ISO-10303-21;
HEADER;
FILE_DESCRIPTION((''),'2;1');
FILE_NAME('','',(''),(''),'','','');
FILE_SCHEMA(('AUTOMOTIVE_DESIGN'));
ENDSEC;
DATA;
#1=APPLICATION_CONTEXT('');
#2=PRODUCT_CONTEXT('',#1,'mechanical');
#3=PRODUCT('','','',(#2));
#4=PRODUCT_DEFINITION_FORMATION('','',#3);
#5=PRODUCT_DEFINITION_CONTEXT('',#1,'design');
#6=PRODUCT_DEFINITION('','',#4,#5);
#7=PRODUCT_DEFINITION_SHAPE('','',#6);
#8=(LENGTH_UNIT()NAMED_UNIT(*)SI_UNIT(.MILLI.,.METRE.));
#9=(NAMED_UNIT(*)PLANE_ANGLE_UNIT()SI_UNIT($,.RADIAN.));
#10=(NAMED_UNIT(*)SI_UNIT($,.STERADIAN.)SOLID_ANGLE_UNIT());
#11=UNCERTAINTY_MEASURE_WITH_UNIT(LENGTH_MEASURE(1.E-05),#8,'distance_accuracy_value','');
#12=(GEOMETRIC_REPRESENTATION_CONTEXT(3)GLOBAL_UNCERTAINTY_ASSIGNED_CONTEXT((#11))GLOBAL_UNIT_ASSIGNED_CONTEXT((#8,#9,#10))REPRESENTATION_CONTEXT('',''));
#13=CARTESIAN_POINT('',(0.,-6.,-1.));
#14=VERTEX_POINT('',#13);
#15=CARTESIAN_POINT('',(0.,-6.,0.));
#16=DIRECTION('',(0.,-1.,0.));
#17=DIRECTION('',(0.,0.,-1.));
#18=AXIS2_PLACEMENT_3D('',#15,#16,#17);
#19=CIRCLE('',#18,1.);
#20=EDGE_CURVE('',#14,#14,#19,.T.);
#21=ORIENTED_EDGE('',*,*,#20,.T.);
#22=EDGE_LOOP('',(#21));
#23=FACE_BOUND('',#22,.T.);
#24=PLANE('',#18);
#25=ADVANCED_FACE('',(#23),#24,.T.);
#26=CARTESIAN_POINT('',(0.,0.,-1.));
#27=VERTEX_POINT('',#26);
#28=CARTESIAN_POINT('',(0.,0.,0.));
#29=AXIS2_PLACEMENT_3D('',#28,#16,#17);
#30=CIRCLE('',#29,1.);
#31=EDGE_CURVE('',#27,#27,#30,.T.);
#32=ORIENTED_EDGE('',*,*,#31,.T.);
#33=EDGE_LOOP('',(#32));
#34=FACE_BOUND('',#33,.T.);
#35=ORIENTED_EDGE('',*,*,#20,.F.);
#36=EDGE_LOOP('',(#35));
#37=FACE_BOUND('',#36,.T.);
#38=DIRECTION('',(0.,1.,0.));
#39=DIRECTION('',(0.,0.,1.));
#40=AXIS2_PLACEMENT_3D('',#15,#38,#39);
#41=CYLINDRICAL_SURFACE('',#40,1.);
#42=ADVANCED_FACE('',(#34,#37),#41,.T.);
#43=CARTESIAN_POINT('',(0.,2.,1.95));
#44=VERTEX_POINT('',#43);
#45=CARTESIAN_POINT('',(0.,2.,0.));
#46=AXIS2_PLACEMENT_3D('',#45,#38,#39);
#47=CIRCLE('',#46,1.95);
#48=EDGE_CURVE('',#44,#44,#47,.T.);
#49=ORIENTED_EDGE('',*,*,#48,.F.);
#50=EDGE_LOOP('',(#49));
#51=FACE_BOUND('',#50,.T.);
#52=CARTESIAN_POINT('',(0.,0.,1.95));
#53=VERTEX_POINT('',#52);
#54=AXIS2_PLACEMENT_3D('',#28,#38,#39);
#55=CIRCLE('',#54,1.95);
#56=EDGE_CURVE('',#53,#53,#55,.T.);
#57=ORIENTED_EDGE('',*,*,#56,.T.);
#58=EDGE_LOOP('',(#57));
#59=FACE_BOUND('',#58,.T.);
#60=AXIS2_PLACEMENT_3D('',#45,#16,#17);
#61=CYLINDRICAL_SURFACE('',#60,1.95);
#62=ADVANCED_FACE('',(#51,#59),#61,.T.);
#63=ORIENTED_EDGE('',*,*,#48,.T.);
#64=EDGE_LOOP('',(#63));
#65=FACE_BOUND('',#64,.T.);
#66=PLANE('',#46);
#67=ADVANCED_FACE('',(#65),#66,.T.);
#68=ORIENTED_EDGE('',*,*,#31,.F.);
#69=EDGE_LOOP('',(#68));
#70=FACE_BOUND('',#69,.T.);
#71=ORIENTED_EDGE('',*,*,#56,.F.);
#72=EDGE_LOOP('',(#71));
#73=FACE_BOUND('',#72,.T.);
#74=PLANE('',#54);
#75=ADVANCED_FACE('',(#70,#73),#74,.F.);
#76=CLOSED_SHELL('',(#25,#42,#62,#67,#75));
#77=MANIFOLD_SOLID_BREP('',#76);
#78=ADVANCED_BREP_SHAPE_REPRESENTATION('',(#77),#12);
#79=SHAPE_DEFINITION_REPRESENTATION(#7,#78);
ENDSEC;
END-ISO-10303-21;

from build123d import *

# Parameters (mm, degrees)
SKETCH1_R           = 1.95
BOSS_EXTRUDE1_DEPTH = 2
SKETCH2_R           = 1
BOSS_EXTRUDE2_DEPTH = 6


with BuildPart() as part:
    # Sketch1 → Boss-Extrude1 (new body)
    with BuildSketch(Plane(origin=(0, 0, 0), x_dir=(1, 0, 0), z_dir=(0, 1, 0))):
        Circle(SKETCH1_R)
    extrude(amount=BOSS_EXTRUDE1_DEPTH)

    # Sketch2 → Boss-Extrude2 (add)
    with BuildSketch(Plane.XZ):
        Circle(SKETCH2_R)
    extrude(amount=BOSS_EXTRUDE2_DEPTH)


solid = part.part
